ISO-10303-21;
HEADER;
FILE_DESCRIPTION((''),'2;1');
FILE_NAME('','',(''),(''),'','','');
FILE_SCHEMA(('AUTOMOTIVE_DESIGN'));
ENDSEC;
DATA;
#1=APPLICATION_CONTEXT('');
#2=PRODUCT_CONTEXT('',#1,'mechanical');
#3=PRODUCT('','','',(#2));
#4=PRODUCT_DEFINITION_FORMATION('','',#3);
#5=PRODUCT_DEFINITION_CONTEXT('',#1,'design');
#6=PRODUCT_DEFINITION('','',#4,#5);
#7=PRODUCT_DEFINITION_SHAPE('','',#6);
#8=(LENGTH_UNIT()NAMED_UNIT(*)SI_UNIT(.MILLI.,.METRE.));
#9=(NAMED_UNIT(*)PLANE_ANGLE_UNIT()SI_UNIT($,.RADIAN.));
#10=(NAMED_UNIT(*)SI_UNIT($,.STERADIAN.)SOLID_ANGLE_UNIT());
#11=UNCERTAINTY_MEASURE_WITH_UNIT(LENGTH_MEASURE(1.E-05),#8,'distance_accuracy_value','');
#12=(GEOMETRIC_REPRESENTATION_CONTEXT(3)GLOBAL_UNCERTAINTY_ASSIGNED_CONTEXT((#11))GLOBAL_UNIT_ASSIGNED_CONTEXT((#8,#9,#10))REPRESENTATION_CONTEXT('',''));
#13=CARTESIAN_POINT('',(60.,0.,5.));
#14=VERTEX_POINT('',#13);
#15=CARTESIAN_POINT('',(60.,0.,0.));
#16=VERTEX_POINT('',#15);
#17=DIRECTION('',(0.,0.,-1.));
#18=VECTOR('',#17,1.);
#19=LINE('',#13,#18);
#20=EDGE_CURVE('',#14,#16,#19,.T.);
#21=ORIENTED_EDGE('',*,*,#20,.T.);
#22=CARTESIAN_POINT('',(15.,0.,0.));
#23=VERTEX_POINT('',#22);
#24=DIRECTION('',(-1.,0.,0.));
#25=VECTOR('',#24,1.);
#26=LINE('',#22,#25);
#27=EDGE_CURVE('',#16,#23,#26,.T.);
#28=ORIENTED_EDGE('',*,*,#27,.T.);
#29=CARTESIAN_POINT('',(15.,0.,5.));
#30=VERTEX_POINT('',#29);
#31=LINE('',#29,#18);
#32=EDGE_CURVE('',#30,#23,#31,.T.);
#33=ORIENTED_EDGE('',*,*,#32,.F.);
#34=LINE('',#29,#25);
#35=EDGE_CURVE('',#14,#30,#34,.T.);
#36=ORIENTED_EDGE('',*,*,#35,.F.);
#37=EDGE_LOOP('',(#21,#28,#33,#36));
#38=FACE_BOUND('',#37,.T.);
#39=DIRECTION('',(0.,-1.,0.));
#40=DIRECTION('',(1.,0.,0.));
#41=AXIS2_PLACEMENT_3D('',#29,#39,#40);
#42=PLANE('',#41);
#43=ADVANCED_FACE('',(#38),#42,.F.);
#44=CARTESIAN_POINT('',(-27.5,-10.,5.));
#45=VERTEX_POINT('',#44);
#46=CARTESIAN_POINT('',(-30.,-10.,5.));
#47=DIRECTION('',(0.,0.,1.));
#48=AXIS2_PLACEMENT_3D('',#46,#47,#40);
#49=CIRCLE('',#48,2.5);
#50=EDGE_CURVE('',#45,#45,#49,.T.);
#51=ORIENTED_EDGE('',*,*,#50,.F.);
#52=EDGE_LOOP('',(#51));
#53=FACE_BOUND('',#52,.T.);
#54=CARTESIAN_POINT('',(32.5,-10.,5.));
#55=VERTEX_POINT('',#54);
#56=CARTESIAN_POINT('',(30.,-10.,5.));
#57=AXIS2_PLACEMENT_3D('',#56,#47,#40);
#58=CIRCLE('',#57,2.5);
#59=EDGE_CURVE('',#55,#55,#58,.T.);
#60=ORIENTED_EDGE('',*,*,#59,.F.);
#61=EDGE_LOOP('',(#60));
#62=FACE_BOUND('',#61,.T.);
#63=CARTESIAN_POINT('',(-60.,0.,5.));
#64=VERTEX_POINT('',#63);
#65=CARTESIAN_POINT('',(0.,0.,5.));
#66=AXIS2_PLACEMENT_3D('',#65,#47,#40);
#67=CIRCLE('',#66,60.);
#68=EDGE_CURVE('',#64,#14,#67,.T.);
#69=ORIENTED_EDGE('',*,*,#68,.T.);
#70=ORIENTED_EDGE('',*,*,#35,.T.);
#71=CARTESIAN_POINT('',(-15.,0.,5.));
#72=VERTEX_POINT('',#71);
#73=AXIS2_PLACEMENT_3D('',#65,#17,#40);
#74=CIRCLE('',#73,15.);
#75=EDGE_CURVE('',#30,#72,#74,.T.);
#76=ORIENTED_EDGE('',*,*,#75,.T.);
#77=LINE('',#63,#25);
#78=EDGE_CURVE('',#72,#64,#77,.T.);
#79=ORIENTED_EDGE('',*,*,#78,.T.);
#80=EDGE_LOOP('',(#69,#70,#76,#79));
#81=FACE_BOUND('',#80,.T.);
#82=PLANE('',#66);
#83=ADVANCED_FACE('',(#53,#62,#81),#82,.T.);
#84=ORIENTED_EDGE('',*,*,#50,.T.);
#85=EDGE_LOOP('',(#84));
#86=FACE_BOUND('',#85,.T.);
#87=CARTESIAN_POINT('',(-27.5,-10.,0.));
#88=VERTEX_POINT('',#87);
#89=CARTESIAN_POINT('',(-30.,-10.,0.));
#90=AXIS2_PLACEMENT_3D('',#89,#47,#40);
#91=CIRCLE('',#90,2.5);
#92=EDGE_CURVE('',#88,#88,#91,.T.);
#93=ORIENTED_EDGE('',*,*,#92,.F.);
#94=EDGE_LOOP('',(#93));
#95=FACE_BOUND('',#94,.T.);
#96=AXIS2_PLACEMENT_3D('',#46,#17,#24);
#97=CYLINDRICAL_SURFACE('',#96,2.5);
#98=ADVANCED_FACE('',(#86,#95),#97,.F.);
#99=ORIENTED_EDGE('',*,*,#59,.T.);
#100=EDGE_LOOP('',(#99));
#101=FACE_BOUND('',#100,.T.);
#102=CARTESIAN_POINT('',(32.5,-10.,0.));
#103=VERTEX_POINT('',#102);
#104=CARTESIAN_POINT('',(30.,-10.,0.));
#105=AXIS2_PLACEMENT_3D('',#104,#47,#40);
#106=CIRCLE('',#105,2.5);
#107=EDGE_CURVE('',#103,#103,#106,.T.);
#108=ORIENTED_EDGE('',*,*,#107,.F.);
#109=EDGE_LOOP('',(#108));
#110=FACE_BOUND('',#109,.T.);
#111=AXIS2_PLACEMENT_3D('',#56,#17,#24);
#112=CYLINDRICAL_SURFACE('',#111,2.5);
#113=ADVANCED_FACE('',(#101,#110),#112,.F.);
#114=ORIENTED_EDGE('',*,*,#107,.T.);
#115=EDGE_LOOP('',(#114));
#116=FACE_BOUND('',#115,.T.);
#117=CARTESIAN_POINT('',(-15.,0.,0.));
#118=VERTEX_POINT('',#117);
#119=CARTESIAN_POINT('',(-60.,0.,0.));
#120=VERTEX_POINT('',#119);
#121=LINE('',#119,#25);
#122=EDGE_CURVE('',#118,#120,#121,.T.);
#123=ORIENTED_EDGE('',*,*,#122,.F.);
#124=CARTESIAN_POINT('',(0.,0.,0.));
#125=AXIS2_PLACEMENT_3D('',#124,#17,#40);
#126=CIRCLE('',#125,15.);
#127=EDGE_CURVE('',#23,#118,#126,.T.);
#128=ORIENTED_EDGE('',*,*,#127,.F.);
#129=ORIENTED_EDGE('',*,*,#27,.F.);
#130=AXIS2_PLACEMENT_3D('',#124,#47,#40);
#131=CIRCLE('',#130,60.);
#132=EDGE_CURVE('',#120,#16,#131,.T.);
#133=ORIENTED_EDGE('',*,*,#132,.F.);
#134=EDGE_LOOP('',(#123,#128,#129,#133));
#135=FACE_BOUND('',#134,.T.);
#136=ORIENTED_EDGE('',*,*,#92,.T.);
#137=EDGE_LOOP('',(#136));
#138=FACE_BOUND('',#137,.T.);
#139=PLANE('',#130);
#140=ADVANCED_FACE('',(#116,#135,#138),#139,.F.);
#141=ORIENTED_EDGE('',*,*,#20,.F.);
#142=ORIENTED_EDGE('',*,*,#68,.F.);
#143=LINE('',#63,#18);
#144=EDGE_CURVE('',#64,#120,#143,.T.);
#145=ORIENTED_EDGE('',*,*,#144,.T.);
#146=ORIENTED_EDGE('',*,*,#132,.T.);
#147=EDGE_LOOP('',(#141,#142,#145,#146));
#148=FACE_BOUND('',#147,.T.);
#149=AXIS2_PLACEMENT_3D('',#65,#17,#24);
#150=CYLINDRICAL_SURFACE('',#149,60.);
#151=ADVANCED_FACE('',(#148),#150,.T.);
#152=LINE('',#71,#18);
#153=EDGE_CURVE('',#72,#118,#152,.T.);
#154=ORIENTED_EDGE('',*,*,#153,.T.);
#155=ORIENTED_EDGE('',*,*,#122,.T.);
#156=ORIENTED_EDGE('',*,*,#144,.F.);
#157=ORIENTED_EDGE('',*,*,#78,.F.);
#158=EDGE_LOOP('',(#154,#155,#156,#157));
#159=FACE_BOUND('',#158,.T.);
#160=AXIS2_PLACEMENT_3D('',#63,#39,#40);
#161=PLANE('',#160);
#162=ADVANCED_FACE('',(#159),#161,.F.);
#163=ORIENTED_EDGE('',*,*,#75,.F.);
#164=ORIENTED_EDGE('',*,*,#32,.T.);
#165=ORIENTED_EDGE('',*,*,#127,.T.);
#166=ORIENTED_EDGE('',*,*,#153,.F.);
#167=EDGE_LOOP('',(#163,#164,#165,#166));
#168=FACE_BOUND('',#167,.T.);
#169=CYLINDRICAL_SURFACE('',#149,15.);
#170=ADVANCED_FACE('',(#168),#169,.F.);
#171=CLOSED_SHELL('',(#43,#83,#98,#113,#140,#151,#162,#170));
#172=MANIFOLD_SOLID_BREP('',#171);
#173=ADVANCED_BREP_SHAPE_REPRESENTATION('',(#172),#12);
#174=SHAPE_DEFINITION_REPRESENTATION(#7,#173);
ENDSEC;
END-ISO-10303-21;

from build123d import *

# Parameters (mm, degrees)
SKETCH1_R           = 2.5
BOSS_EXTRUDE1_DEPTH = 5


with BuildPart() as part:
    # Sketch1 → Boss-Extrude1 (new body)
    with BuildSketch(Plane.XY):
        with BuildLine():
            Line((-60, 0), (-15, 0))
            ThreePointArc((-15, 0), (0, -15), (15, 0))
            Line((15, 0), (60, 0))
            ThreePointArc((60, 0), (0, -60), (-60, 0))
        make_face()
        with Locations((30, -10)):
            Circle(SKETCH1_R, mode=Mode.SUBTRACT)
        with Locations((-30, -10)):
            Circle(SKETCH1_R, mode=Mode.SUBTRACT)
    extrude(amount=BOSS_EXTRUDE1_DEPTH)


solid = part.part
